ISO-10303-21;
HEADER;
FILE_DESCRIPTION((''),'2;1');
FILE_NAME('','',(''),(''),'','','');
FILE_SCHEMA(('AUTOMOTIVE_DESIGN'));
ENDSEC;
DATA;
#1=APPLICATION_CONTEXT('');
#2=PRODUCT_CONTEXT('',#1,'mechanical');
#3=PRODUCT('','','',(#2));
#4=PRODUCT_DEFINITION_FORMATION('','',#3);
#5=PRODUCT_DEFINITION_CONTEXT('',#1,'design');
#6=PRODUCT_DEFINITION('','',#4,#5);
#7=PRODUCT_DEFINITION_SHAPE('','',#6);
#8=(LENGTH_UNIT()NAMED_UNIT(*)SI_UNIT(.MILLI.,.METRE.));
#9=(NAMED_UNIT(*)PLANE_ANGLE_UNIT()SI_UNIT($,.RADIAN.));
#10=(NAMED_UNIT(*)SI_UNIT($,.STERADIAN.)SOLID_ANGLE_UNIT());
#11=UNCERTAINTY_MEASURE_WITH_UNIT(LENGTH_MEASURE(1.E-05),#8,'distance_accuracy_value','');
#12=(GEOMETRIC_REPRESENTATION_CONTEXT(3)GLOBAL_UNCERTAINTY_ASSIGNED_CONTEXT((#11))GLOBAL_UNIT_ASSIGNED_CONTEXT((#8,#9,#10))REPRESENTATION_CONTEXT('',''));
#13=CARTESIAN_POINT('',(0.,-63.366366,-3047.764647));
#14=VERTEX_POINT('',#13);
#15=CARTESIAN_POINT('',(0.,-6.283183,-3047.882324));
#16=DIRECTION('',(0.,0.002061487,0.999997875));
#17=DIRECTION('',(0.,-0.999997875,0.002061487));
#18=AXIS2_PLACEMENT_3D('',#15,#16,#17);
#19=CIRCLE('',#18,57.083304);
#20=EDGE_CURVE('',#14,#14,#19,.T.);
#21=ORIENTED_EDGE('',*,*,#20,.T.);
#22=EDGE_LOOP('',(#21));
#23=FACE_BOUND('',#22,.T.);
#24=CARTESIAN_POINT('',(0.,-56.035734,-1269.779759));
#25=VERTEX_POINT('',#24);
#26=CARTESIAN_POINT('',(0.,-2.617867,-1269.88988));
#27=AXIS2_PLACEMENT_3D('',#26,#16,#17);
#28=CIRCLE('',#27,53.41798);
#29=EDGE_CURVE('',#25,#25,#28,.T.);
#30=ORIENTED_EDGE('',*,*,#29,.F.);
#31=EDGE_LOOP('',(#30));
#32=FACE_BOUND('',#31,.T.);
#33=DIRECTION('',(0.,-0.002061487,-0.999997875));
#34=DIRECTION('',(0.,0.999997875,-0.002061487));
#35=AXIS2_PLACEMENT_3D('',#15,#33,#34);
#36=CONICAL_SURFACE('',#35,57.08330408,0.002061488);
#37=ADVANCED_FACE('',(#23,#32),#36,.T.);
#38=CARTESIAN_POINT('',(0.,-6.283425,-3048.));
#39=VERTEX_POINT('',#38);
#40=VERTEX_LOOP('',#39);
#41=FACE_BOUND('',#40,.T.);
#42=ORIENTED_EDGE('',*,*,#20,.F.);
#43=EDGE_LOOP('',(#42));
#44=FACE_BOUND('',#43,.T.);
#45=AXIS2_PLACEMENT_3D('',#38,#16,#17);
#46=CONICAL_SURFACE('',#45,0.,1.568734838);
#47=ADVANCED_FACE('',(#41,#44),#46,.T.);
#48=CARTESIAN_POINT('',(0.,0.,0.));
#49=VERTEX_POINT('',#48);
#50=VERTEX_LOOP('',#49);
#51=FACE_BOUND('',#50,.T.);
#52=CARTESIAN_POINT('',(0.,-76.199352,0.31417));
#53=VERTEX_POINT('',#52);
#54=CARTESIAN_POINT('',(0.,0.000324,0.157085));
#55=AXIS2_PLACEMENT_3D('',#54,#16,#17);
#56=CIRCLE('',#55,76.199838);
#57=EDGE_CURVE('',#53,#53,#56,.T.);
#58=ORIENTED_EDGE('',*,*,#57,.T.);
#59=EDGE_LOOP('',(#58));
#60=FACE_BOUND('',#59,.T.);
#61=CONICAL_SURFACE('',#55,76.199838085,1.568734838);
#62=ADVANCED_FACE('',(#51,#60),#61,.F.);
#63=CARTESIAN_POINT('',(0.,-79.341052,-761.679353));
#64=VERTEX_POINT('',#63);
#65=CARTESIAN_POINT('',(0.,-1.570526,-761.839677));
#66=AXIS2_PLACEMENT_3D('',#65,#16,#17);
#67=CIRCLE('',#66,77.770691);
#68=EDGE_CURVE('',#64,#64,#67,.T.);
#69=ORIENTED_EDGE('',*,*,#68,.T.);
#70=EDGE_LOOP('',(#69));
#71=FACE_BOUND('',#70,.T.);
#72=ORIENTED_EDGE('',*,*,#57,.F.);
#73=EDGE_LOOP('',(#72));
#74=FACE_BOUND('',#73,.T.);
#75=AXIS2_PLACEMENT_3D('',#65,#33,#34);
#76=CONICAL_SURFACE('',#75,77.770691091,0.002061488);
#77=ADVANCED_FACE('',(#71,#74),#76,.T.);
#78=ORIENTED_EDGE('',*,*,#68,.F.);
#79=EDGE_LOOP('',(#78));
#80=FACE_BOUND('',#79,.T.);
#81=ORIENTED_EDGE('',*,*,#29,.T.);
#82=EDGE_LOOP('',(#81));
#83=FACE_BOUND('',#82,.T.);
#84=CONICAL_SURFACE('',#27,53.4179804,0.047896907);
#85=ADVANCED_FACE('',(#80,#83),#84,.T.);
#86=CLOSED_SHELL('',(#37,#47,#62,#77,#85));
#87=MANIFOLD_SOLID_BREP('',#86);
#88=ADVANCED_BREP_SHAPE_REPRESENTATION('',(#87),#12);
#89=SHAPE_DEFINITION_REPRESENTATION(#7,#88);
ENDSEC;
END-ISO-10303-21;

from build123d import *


with BuildPart() as part:
    # Sketch2 → Revolve1 (revolve)
    with BuildSketch(Plane(origin=(0, 0, 0), x_dir=(0, 0, -1), z_dir=(1, 0, 0)), mode=Mode.PRIVATE) as revolve1_sk:
        Polygon((0, 76.2), (762, 76.2), (1270, 50.8), (3048, 50.8), (3048, -6.283425374), (0, 0), align=None)
    revolve(revolve1_sk.sketch.rotate(Axis((0, 0, 0), (0, -0.0020614868841661526, -0.9999978751336558)), 180), axis=Axis((0, 0, 0), (0, -0.0020614868841661526, -0.9999978751336558)))


solid = part.part
